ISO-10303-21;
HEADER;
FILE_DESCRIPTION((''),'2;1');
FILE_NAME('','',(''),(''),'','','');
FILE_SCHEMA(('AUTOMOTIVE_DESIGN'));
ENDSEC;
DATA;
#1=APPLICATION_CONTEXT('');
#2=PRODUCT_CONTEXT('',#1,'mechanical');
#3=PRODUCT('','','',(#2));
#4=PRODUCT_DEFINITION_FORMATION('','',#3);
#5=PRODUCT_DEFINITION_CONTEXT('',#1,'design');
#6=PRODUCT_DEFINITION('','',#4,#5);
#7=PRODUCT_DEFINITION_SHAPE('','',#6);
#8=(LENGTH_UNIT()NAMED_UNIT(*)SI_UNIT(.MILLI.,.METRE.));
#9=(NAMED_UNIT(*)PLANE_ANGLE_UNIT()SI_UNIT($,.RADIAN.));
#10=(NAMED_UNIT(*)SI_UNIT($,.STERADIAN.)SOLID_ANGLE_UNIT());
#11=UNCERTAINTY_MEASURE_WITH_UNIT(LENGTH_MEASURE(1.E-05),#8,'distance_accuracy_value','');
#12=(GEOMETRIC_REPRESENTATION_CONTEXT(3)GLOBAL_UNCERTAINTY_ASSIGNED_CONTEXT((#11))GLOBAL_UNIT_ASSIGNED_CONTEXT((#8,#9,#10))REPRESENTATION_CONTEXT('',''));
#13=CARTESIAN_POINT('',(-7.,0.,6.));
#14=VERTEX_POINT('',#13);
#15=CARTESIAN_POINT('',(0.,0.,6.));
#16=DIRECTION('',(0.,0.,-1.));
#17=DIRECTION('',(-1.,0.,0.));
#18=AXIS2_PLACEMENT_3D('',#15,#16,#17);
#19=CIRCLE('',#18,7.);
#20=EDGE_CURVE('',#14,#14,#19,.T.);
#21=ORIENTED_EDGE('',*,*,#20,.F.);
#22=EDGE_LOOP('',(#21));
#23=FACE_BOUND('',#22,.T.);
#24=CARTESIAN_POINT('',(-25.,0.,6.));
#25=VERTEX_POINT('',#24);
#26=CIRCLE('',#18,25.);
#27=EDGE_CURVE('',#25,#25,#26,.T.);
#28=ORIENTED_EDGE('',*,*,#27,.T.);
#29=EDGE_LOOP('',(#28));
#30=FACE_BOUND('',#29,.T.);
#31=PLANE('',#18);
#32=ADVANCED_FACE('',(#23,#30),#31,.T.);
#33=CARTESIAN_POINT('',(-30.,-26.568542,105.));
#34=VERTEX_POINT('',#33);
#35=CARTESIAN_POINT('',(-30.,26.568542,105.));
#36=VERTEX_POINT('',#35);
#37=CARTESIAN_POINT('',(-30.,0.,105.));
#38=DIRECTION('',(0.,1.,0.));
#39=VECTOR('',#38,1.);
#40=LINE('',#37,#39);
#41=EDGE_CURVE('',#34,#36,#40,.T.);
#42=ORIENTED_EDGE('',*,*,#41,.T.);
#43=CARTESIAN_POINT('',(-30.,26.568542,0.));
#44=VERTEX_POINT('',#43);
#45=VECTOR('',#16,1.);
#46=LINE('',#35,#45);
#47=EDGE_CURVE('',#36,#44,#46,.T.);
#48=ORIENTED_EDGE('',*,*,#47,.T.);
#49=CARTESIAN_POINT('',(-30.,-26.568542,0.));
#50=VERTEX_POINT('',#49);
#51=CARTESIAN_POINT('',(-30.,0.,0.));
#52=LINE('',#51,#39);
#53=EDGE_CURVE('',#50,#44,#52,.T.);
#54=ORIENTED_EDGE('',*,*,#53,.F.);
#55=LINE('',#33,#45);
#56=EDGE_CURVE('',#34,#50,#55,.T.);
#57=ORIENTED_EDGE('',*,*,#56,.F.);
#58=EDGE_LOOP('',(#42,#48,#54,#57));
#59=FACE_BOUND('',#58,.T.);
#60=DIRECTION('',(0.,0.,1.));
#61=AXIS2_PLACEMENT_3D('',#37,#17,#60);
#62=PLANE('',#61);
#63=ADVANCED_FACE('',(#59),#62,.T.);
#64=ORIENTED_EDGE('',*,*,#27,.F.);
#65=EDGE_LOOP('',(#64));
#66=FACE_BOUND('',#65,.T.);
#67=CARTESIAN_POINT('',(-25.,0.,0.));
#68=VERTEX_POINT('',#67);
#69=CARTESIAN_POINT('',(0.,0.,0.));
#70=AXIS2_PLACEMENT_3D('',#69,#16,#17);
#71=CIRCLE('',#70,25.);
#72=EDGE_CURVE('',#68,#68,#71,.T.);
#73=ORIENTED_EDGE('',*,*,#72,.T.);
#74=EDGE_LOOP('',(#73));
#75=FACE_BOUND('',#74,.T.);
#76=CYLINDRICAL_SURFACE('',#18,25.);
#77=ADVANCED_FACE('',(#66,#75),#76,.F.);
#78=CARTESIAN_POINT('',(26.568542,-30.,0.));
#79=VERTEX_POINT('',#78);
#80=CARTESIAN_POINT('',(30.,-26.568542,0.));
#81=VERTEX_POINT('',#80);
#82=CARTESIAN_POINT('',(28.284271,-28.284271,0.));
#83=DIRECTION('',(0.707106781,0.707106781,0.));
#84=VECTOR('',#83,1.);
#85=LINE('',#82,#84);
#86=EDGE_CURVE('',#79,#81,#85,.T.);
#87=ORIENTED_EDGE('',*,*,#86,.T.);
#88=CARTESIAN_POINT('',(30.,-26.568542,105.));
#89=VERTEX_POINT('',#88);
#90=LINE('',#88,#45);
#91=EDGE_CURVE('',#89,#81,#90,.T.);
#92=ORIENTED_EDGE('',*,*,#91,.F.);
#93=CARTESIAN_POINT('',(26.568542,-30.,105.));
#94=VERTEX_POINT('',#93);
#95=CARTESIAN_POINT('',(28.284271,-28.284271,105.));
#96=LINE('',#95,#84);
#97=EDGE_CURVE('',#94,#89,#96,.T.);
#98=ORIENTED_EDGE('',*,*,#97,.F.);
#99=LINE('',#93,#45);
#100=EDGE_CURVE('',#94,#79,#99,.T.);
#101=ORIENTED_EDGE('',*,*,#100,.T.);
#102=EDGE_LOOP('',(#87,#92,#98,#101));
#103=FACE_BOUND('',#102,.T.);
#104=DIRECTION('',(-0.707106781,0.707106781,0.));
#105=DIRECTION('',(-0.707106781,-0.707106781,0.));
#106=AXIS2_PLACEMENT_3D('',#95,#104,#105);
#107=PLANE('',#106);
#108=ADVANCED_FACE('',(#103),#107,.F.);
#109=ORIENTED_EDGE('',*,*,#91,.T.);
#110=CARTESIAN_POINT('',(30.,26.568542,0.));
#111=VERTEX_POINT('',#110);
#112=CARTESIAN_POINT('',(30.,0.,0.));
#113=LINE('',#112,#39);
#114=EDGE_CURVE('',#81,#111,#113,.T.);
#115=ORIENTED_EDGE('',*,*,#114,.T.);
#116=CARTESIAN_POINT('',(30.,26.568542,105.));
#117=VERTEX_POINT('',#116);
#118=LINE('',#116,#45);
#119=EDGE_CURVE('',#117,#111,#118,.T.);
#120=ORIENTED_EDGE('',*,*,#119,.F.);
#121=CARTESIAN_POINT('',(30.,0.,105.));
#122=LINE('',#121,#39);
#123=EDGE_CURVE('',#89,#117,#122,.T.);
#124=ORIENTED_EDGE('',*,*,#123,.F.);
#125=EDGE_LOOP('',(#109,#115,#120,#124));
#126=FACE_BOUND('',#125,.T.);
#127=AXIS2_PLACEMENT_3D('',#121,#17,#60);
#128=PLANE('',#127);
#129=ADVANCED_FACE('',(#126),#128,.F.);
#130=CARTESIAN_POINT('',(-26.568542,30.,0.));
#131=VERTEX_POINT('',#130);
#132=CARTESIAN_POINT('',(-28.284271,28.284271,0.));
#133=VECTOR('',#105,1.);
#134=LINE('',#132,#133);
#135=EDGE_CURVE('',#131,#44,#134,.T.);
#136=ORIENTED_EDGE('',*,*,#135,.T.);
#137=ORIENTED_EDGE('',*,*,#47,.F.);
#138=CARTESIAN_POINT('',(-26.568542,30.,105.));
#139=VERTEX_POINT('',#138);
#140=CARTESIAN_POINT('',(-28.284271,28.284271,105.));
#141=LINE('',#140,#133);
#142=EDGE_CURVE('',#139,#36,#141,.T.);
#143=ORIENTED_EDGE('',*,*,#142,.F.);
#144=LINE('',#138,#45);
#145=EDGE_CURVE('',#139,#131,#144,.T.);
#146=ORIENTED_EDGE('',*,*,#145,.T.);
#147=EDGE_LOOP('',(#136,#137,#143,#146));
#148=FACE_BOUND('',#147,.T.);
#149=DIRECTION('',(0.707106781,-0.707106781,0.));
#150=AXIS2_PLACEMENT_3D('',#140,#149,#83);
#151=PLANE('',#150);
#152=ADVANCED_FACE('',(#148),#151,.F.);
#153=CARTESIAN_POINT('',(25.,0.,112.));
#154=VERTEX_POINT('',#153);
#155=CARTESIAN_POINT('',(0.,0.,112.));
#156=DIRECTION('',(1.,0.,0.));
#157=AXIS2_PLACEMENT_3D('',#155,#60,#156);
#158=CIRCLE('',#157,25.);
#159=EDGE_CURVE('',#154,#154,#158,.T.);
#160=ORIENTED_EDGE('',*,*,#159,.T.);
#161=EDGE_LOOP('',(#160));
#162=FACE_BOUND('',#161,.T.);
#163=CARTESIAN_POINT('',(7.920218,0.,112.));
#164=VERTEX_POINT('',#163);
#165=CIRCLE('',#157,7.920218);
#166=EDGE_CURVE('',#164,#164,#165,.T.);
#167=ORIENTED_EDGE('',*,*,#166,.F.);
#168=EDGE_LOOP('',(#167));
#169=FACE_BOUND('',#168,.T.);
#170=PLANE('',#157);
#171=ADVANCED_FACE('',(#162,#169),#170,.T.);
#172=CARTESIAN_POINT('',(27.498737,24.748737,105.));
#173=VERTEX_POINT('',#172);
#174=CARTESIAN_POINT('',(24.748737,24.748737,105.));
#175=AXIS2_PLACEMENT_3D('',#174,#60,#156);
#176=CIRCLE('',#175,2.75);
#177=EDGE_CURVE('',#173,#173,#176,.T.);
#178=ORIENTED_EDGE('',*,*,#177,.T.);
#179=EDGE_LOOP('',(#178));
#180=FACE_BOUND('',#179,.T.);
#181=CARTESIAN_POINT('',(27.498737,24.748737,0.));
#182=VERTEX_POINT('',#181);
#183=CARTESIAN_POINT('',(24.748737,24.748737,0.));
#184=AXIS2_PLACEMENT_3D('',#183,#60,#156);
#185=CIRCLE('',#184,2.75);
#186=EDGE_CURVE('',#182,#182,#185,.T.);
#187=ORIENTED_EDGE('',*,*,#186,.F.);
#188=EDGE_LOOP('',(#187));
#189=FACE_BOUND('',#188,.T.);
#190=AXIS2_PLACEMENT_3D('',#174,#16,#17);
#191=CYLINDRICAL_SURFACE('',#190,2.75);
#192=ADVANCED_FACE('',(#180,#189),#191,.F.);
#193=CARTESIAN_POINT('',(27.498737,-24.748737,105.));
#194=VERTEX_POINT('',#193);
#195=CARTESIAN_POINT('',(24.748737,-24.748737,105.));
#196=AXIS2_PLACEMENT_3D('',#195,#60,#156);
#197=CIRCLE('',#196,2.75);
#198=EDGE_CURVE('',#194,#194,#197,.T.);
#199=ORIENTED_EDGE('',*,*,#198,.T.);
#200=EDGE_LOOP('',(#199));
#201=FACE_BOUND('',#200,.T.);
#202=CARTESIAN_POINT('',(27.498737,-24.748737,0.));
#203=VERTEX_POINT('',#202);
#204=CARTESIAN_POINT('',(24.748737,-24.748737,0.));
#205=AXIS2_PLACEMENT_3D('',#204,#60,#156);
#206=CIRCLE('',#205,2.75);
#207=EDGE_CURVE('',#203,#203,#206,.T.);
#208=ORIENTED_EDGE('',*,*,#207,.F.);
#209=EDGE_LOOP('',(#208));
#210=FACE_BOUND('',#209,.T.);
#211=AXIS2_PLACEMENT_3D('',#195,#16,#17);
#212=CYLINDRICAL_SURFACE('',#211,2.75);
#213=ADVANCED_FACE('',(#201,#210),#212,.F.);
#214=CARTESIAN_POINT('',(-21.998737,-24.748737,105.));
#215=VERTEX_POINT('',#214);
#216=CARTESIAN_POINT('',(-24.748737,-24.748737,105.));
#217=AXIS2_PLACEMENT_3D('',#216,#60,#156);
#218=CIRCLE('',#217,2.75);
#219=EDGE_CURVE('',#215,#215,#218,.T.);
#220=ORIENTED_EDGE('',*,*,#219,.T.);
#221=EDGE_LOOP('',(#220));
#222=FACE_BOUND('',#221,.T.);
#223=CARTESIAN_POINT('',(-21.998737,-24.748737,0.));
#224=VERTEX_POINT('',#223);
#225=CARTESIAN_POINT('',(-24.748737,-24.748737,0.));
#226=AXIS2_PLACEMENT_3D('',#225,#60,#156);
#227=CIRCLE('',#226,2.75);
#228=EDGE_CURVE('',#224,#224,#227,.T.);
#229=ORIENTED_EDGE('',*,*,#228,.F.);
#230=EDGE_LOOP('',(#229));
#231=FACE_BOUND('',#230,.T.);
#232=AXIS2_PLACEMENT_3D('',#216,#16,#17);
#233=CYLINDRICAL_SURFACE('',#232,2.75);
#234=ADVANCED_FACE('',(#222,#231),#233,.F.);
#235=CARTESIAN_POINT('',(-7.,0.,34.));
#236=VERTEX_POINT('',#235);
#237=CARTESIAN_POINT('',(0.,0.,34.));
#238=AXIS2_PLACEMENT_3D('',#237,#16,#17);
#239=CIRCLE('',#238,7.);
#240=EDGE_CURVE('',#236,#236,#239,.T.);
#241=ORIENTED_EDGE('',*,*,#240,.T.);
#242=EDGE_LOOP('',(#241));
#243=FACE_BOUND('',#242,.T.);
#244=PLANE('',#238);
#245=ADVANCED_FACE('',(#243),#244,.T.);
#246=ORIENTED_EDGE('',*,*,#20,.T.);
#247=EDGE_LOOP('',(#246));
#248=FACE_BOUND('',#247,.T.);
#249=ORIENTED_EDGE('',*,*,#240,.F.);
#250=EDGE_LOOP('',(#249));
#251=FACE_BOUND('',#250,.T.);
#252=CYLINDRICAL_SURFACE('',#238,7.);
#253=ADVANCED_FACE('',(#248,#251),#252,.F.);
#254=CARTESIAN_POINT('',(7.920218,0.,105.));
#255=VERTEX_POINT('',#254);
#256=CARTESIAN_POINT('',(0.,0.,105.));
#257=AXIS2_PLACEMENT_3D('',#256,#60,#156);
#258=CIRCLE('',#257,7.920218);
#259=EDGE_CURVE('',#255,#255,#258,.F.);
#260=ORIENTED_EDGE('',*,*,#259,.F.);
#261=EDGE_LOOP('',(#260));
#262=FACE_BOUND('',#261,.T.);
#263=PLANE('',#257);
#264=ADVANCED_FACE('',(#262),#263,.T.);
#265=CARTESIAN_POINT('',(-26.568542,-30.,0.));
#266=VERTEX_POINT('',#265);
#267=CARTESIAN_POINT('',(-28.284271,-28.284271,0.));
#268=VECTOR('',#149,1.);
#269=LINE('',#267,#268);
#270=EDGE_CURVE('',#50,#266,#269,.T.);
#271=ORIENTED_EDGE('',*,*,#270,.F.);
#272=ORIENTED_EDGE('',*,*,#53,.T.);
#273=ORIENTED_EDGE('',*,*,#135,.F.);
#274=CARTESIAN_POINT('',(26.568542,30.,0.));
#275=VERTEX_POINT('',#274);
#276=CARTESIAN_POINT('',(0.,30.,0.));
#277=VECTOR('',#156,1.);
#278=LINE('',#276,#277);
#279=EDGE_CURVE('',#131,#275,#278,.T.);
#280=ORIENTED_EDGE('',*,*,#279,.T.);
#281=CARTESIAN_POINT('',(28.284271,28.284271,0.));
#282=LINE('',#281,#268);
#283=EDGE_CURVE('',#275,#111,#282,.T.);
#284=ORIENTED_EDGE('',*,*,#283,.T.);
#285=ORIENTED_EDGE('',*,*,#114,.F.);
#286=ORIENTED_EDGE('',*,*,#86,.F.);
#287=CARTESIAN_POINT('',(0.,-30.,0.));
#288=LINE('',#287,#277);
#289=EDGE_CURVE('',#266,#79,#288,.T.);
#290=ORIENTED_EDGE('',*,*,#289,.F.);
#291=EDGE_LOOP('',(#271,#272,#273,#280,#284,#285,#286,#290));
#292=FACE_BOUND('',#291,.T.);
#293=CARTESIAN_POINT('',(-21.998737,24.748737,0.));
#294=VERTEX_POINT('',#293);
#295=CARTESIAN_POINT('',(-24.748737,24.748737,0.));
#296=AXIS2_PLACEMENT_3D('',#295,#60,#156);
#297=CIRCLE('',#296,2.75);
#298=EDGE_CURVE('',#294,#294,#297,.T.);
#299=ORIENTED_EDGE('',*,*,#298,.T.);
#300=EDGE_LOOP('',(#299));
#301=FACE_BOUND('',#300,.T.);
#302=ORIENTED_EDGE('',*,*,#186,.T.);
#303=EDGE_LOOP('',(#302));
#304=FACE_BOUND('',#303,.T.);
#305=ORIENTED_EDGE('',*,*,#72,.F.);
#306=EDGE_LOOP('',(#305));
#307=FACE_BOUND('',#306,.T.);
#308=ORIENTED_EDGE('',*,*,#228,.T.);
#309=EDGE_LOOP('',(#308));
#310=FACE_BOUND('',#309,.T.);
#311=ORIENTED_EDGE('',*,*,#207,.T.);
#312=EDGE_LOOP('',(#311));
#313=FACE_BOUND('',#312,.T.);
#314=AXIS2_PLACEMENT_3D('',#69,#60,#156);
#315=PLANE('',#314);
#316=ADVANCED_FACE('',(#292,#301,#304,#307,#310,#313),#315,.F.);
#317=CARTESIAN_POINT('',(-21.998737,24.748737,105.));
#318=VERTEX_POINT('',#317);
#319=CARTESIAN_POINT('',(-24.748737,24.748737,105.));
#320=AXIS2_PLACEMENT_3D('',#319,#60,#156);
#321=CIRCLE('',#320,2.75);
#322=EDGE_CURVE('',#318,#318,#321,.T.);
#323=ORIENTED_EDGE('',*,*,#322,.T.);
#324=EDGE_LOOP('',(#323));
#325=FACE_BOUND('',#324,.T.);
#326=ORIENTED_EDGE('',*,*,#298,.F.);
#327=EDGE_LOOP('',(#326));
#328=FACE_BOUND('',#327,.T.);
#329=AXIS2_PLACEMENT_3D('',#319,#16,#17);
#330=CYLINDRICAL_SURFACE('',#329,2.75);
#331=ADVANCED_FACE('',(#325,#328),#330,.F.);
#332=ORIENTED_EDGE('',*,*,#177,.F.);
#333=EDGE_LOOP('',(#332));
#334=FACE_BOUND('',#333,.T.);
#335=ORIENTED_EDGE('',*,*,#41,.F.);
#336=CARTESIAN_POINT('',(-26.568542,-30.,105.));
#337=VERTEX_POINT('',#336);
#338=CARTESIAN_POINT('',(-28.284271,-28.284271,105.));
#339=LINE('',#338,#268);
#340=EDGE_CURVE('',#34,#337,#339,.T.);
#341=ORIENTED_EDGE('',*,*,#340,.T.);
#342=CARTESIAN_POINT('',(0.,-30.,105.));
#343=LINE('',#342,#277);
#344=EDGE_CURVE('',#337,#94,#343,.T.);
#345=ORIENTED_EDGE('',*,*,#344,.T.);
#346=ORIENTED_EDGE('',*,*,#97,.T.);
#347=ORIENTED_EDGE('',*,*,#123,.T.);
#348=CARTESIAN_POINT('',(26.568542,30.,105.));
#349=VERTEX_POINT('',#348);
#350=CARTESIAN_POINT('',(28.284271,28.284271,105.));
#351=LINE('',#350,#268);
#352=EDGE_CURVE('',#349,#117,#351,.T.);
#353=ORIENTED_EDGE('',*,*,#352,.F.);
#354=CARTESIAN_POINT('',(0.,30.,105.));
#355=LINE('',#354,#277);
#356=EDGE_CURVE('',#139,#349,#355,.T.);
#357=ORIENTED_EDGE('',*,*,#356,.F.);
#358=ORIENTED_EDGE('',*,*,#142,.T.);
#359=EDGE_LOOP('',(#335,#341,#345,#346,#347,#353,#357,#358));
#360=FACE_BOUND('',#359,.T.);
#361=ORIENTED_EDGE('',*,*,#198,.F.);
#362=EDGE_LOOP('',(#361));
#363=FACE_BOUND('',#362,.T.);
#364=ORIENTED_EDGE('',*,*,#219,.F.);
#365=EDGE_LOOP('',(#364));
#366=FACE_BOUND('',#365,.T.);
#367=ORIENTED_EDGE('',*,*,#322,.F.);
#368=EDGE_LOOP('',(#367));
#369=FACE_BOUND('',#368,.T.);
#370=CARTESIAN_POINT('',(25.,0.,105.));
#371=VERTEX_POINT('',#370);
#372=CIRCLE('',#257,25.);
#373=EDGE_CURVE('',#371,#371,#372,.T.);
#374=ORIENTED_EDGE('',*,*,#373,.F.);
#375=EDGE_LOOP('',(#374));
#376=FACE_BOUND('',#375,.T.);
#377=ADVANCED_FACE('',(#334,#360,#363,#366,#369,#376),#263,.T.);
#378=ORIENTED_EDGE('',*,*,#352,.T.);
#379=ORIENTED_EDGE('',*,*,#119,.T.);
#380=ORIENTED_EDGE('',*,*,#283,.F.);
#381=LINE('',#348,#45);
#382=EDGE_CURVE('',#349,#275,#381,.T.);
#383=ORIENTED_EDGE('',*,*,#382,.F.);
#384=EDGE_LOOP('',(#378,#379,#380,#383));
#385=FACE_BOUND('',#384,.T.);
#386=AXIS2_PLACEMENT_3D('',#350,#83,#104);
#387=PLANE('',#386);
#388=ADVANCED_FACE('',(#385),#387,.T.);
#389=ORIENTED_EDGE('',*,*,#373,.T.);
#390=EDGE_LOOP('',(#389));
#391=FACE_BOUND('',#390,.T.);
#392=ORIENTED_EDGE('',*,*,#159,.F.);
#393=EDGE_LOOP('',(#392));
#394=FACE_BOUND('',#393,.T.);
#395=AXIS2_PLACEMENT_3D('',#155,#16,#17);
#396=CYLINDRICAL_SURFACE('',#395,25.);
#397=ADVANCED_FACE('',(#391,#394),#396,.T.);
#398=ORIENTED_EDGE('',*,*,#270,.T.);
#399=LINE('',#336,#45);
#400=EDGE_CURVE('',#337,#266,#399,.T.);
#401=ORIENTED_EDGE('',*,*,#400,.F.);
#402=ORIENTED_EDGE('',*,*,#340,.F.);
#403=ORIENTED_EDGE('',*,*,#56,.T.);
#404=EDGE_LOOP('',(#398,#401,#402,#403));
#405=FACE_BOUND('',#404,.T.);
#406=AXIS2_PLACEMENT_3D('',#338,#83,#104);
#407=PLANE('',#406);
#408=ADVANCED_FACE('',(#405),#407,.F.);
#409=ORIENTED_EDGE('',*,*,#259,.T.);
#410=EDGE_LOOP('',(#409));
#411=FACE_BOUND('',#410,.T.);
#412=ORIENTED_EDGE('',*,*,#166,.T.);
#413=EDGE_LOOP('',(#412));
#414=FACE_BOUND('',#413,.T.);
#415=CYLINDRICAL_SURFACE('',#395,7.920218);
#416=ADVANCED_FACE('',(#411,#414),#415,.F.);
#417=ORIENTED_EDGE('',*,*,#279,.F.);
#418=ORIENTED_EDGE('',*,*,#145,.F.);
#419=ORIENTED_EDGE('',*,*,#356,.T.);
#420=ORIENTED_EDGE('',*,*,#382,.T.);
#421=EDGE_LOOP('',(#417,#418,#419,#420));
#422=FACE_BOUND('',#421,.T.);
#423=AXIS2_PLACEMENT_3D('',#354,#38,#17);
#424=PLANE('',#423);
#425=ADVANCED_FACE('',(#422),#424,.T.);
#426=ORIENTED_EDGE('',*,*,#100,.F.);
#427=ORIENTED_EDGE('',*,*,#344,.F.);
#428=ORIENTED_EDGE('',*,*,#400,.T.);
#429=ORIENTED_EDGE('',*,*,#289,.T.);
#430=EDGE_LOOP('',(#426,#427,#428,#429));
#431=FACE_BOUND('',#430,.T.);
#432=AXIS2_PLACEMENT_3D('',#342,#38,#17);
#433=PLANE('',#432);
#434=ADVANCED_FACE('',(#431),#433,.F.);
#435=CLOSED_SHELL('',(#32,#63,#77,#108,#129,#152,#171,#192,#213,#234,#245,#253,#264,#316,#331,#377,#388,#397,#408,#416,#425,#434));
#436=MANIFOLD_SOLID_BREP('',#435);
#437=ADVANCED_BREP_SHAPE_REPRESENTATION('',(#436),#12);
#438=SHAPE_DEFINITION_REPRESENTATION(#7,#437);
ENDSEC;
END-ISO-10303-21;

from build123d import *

# Parameters (mm, degrees)
SKETCH1_R           = 2.75
BOSS_EXTRUDE1_DEPTH = 105
SKETCH2_R           = 25
SKETCH2_R_2         = 7.920218335
BOSS_EXTRUDE2_DEPTH = 7
SKETCH3_R           = 25
SKETCH3_R_2         = 7
CUT_EXTRUDE1_DEPTH  = 6
SKETCH3_2_R         = 7
CUT_EXTRUDE2_DEPTH  = 34


with BuildPart() as part:
    # Sketch1 → Boss-Extrude1 (new body)
    with BuildSketch(Plane.XY):
        Polygon((-30, 26.568542495), (-30, -26.568542495), (-26.568542495, -30), (26.568542495, -30), (30, -26.568542495), (30, 26.568542495), (26.568542495, 30), (-26.568542495, 30), align=None)
        with Locations((-24.748737342, -24.748737342)):
            Circle(SKETCH1_R, mode=Mode.SUBTRACT)
        with Locations((24.748737342, -24.748737342)):
            Circle(SKETCH1_R, mode=Mode.SUBTRACT)
        with Locations((-24.748737342, 24.748737342)):
            Circle(SKETCH1_R, mode=Mode.SUBTRACT)
        with Locations((24.748737342, 24.748737342)):
            Circle(SKETCH1_R, mode=Mode.SUBTRACT)
    extrude(amount=BOSS_EXTRUDE1_DEPTH)

    # Sketch2 → Boss-Extrude2 (add)
    with BuildSketch(Plane.XY.offset(105)):
        Circle(SKETCH2_R)
        Circle(SKETCH2_R_2, mode=Mode.SUBTRACT)
    extrude(amount=BOSS_EXTRUDE2_DEPTH)

    # Sketch3 → Cut-Extrude1 (cut)
    with BuildSketch(Plane(origin=(0, 0, 0), x_dir=(-1, 0, 0), z_dir=(0, 0, -1))):
        Circle(SKETCH3_R)
        Circle(SKETCH3_R_2, mode=Mode.SUBTRACT)
    extrude(amount=-CUT_EXTRUDE1_DEPTH, mode=Mode.SUBTRACT)

    # Sketch3<2> → Cut-Extrude2 (cut)
    with BuildSketch(Plane(origin=(0, 0, 0), x_dir=(-1, 0, 0), z_dir=(0, 0, -1))):
        Circle(SKETCH3_2_R)
    extrude(amount=-CUT_EXTRUDE2_DEPTH, mode=Mode.SUBTRACT)


solid = part.part
